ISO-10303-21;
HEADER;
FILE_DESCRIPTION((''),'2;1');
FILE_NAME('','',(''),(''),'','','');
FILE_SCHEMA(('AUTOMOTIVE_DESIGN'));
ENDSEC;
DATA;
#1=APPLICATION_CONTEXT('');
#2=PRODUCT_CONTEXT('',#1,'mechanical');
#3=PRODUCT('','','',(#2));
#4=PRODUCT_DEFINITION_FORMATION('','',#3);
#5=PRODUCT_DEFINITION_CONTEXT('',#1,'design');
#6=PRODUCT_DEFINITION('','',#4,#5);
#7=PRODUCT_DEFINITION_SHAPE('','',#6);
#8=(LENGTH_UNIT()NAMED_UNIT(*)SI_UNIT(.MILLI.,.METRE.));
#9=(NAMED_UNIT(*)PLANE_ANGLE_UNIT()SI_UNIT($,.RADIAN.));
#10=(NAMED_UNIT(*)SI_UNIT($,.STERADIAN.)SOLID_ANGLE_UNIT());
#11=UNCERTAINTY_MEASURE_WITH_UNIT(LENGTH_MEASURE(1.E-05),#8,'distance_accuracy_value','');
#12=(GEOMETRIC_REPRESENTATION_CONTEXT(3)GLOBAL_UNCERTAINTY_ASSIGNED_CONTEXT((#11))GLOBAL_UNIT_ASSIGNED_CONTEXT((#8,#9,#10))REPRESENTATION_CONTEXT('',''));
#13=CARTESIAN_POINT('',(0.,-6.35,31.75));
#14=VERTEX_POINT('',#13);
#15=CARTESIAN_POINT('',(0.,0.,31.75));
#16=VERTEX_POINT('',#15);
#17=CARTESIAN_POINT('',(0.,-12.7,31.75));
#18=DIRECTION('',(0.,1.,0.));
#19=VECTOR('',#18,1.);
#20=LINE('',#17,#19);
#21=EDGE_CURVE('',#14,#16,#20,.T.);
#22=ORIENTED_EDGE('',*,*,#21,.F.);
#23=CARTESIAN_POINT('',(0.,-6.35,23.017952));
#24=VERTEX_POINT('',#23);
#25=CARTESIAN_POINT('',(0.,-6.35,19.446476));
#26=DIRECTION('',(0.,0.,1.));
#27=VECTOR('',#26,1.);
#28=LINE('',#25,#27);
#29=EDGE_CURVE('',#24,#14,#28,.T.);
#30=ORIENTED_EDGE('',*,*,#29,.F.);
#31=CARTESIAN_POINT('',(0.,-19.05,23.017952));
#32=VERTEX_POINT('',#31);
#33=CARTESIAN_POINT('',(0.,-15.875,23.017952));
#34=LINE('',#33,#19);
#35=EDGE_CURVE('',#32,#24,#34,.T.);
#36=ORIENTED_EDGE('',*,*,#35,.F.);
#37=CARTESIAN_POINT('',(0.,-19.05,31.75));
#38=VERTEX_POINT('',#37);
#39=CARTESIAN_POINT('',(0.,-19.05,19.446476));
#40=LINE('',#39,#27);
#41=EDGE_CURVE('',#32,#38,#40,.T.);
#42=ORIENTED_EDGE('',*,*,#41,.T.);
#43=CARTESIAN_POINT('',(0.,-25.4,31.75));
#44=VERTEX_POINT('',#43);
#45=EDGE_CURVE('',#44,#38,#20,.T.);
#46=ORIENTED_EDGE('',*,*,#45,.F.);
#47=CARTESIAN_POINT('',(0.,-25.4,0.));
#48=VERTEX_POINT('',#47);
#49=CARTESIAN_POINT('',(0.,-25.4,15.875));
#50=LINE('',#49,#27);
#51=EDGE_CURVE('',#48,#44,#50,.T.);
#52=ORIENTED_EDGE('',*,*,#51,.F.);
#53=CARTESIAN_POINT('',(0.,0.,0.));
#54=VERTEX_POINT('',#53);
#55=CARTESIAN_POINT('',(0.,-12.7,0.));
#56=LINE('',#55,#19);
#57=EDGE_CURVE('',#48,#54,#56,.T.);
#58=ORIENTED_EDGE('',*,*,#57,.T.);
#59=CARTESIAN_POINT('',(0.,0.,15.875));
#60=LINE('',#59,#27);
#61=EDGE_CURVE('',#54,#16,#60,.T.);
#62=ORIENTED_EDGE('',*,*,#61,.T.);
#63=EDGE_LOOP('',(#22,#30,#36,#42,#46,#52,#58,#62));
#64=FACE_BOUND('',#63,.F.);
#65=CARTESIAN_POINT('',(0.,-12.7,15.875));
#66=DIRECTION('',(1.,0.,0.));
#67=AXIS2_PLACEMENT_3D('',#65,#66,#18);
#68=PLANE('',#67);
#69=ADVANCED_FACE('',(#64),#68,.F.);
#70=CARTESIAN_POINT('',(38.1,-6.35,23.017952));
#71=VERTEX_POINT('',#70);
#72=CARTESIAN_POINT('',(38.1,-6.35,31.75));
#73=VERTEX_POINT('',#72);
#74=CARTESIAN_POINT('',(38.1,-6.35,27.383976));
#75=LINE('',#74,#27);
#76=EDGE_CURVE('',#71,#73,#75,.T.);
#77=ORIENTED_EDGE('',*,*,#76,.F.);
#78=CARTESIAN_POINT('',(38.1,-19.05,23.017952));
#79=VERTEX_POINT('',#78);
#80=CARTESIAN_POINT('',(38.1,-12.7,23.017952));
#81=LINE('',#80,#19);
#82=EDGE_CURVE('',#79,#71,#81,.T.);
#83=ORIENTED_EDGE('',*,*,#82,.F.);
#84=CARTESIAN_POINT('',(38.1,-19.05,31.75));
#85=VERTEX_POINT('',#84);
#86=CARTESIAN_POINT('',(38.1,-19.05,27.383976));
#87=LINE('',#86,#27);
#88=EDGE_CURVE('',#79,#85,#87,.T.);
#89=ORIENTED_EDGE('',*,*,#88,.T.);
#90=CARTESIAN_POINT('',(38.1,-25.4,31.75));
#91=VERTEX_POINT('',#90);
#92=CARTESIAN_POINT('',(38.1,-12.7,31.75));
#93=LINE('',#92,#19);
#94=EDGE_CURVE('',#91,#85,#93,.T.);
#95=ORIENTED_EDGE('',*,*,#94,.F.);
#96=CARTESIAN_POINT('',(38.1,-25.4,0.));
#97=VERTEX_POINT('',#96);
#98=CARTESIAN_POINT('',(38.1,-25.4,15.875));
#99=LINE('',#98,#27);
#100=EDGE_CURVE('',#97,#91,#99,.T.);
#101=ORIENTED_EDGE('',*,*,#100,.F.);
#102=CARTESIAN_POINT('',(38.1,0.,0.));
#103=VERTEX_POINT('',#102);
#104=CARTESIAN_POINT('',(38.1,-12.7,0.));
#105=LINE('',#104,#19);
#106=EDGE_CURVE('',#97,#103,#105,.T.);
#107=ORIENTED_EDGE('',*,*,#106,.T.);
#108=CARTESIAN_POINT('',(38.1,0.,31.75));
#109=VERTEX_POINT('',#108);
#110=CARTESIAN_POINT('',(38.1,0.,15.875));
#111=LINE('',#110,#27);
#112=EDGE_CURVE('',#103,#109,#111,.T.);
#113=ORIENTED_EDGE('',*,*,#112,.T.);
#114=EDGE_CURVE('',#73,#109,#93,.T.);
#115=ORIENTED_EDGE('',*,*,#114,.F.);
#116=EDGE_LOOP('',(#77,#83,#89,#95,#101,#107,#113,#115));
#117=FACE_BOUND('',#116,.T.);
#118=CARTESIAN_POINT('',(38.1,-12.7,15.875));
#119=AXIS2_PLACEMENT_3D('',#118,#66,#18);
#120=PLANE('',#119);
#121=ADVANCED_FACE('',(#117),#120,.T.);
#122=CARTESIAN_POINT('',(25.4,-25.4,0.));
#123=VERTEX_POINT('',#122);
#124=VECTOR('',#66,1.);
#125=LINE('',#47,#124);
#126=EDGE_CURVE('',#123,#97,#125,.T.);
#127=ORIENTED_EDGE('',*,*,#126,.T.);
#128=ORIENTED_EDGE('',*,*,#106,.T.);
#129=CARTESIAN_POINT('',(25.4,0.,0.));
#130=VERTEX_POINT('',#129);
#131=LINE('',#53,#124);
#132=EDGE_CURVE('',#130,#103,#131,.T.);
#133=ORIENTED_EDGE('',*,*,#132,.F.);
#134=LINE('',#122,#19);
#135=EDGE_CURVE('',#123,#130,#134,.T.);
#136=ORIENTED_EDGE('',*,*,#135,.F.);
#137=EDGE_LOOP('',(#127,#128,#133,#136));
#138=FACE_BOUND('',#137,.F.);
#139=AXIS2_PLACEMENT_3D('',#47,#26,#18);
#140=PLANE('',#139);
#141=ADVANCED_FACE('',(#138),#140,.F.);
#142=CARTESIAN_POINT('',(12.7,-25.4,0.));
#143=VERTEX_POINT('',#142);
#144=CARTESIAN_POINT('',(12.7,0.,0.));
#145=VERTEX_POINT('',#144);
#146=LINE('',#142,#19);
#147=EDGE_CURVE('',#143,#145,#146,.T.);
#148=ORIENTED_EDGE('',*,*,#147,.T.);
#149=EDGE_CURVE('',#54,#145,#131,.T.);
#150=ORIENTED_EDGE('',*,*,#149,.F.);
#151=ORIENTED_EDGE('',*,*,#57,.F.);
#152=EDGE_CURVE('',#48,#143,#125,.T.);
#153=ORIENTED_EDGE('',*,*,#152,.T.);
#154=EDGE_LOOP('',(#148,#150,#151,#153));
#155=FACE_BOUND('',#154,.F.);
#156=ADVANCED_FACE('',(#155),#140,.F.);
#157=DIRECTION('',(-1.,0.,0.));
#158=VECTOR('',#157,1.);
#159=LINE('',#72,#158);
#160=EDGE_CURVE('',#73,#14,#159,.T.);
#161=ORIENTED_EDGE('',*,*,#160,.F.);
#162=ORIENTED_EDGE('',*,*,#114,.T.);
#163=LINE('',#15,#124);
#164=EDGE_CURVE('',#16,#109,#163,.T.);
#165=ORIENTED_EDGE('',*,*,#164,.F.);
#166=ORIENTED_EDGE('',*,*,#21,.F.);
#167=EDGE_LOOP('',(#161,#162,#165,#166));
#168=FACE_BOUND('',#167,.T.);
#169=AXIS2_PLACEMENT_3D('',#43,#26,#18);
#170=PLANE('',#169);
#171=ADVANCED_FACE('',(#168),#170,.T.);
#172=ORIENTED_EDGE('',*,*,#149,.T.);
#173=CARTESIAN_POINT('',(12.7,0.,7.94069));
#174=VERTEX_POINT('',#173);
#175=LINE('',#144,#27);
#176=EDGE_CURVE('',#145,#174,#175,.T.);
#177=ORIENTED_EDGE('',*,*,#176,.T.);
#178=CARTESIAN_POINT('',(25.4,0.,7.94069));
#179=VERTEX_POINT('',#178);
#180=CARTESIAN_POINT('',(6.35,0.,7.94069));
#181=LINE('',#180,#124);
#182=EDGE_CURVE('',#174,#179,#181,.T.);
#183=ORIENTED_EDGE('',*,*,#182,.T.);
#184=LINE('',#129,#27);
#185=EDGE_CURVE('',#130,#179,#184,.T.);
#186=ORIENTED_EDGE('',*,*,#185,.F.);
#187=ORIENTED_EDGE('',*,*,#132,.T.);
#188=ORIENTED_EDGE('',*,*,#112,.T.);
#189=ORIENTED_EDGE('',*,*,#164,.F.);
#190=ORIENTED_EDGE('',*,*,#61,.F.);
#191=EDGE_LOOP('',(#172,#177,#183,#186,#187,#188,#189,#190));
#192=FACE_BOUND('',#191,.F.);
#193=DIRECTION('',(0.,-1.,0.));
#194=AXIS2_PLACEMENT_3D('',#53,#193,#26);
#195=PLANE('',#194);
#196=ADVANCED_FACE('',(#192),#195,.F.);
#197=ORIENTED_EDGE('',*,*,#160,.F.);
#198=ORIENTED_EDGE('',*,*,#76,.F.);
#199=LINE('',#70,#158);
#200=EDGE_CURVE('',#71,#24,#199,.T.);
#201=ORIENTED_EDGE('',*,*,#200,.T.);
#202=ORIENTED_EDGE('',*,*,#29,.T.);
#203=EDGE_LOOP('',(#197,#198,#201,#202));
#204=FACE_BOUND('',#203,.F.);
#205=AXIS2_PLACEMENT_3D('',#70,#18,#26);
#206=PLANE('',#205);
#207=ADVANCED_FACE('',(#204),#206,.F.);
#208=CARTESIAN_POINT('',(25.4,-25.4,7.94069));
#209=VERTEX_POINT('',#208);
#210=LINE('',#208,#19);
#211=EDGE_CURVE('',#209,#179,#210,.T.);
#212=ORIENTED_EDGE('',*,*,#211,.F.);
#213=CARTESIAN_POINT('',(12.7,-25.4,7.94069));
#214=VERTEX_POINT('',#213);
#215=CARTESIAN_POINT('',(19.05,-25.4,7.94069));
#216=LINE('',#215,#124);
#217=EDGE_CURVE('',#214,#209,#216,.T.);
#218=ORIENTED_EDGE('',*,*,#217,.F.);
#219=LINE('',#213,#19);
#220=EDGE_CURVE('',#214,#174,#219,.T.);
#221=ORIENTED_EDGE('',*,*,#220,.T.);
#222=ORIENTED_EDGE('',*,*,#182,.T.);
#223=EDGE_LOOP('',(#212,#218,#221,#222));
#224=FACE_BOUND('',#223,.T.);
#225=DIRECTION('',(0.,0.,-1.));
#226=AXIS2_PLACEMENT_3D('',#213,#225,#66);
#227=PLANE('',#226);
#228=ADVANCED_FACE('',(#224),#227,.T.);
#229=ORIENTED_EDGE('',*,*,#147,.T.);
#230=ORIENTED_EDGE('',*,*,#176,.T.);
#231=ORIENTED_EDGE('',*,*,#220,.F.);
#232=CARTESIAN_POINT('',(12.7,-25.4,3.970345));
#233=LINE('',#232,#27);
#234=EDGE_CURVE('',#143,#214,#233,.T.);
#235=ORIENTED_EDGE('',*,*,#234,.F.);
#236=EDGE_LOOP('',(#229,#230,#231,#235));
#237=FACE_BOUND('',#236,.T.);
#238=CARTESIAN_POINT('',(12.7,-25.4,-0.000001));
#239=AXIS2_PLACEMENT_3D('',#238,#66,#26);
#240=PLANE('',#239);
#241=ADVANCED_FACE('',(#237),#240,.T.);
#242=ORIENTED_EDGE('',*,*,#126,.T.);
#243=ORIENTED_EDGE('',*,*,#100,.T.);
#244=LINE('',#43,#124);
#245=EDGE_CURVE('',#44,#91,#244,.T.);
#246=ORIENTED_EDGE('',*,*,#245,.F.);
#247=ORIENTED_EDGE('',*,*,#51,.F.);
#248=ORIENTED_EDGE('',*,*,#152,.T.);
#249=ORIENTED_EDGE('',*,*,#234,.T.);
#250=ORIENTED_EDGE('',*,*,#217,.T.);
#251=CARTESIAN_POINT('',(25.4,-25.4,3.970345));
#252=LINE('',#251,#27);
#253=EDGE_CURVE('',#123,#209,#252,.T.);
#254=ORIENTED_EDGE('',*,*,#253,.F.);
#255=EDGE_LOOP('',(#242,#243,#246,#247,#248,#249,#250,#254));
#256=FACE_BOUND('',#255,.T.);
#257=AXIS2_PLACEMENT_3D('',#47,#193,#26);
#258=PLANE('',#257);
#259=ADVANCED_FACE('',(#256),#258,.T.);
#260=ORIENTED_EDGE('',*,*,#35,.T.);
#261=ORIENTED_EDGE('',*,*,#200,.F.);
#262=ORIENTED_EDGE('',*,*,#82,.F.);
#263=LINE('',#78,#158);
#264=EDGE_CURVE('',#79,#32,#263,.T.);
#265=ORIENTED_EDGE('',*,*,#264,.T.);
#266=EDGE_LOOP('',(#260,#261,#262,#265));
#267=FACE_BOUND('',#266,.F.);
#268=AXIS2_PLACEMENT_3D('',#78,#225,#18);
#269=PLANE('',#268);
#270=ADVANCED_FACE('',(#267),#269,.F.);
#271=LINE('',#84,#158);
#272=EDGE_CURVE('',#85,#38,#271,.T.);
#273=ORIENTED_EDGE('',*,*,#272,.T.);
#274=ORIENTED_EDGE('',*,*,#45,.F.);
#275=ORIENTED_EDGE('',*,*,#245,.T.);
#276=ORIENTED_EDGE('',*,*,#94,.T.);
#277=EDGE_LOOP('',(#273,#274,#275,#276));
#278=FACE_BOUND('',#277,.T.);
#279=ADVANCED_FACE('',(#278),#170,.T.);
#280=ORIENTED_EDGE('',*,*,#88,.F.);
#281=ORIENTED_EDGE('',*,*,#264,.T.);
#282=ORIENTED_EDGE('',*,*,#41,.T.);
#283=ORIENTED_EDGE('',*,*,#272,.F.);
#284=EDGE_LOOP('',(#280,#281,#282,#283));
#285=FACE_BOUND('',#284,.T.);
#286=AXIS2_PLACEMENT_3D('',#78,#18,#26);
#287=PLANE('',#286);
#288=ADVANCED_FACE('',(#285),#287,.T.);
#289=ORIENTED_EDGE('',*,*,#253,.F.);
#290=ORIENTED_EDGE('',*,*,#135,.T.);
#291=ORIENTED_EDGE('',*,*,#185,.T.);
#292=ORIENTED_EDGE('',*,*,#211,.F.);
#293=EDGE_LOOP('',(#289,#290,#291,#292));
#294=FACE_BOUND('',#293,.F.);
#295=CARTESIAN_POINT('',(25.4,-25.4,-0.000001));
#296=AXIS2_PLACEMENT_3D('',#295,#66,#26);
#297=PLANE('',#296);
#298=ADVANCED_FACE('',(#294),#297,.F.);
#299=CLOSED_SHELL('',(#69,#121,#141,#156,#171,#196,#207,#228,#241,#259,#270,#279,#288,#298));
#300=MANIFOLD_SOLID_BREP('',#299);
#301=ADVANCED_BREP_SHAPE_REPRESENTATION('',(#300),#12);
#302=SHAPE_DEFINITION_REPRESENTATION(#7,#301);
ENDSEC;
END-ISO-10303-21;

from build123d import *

# Parameters (mm, degrees)
F0_W     = 25.4
F0_H     = 31.75
F1_DEPTH = 38.1
F2_W     = 12.7
F2_H     = 8.732048
F3_DEPTH = 38.101
F4_W     = 12.7
F4_H     = 7.940691
F5_DEPTH = 25.401


with BuildPart() as f1:
    # F0 (on Right) → F1 (new body)
    with BuildSketch(Plane.YZ):
        with Locations((-12.7, 15.875)):
            Rectangle(F0_W, F0_H)
    extrude(amount=F1_DEPTH)

    # F2 (on face) → F3 (cut, through all)
    with BuildSketch(Plane.YZ.offset(38.1)):
        with Locations((-12.7, 27.383976)):
            Rectangle(F2_W, F2_H)
    extrude(amount=-F3_DEPTH, mode=Mode.SUBTRACT)

    # F4 (on face) → F5 (cut, through all)
    with BuildSketch(Plane.XZ.offset(25.4)):
        with Locations((19.05, 3.970345)):
            Rectangle(F4_W, F4_H)
    extrude(amount=-F5_DEPTH, mode=Mode.SUBTRACT)


solid = f1.part
